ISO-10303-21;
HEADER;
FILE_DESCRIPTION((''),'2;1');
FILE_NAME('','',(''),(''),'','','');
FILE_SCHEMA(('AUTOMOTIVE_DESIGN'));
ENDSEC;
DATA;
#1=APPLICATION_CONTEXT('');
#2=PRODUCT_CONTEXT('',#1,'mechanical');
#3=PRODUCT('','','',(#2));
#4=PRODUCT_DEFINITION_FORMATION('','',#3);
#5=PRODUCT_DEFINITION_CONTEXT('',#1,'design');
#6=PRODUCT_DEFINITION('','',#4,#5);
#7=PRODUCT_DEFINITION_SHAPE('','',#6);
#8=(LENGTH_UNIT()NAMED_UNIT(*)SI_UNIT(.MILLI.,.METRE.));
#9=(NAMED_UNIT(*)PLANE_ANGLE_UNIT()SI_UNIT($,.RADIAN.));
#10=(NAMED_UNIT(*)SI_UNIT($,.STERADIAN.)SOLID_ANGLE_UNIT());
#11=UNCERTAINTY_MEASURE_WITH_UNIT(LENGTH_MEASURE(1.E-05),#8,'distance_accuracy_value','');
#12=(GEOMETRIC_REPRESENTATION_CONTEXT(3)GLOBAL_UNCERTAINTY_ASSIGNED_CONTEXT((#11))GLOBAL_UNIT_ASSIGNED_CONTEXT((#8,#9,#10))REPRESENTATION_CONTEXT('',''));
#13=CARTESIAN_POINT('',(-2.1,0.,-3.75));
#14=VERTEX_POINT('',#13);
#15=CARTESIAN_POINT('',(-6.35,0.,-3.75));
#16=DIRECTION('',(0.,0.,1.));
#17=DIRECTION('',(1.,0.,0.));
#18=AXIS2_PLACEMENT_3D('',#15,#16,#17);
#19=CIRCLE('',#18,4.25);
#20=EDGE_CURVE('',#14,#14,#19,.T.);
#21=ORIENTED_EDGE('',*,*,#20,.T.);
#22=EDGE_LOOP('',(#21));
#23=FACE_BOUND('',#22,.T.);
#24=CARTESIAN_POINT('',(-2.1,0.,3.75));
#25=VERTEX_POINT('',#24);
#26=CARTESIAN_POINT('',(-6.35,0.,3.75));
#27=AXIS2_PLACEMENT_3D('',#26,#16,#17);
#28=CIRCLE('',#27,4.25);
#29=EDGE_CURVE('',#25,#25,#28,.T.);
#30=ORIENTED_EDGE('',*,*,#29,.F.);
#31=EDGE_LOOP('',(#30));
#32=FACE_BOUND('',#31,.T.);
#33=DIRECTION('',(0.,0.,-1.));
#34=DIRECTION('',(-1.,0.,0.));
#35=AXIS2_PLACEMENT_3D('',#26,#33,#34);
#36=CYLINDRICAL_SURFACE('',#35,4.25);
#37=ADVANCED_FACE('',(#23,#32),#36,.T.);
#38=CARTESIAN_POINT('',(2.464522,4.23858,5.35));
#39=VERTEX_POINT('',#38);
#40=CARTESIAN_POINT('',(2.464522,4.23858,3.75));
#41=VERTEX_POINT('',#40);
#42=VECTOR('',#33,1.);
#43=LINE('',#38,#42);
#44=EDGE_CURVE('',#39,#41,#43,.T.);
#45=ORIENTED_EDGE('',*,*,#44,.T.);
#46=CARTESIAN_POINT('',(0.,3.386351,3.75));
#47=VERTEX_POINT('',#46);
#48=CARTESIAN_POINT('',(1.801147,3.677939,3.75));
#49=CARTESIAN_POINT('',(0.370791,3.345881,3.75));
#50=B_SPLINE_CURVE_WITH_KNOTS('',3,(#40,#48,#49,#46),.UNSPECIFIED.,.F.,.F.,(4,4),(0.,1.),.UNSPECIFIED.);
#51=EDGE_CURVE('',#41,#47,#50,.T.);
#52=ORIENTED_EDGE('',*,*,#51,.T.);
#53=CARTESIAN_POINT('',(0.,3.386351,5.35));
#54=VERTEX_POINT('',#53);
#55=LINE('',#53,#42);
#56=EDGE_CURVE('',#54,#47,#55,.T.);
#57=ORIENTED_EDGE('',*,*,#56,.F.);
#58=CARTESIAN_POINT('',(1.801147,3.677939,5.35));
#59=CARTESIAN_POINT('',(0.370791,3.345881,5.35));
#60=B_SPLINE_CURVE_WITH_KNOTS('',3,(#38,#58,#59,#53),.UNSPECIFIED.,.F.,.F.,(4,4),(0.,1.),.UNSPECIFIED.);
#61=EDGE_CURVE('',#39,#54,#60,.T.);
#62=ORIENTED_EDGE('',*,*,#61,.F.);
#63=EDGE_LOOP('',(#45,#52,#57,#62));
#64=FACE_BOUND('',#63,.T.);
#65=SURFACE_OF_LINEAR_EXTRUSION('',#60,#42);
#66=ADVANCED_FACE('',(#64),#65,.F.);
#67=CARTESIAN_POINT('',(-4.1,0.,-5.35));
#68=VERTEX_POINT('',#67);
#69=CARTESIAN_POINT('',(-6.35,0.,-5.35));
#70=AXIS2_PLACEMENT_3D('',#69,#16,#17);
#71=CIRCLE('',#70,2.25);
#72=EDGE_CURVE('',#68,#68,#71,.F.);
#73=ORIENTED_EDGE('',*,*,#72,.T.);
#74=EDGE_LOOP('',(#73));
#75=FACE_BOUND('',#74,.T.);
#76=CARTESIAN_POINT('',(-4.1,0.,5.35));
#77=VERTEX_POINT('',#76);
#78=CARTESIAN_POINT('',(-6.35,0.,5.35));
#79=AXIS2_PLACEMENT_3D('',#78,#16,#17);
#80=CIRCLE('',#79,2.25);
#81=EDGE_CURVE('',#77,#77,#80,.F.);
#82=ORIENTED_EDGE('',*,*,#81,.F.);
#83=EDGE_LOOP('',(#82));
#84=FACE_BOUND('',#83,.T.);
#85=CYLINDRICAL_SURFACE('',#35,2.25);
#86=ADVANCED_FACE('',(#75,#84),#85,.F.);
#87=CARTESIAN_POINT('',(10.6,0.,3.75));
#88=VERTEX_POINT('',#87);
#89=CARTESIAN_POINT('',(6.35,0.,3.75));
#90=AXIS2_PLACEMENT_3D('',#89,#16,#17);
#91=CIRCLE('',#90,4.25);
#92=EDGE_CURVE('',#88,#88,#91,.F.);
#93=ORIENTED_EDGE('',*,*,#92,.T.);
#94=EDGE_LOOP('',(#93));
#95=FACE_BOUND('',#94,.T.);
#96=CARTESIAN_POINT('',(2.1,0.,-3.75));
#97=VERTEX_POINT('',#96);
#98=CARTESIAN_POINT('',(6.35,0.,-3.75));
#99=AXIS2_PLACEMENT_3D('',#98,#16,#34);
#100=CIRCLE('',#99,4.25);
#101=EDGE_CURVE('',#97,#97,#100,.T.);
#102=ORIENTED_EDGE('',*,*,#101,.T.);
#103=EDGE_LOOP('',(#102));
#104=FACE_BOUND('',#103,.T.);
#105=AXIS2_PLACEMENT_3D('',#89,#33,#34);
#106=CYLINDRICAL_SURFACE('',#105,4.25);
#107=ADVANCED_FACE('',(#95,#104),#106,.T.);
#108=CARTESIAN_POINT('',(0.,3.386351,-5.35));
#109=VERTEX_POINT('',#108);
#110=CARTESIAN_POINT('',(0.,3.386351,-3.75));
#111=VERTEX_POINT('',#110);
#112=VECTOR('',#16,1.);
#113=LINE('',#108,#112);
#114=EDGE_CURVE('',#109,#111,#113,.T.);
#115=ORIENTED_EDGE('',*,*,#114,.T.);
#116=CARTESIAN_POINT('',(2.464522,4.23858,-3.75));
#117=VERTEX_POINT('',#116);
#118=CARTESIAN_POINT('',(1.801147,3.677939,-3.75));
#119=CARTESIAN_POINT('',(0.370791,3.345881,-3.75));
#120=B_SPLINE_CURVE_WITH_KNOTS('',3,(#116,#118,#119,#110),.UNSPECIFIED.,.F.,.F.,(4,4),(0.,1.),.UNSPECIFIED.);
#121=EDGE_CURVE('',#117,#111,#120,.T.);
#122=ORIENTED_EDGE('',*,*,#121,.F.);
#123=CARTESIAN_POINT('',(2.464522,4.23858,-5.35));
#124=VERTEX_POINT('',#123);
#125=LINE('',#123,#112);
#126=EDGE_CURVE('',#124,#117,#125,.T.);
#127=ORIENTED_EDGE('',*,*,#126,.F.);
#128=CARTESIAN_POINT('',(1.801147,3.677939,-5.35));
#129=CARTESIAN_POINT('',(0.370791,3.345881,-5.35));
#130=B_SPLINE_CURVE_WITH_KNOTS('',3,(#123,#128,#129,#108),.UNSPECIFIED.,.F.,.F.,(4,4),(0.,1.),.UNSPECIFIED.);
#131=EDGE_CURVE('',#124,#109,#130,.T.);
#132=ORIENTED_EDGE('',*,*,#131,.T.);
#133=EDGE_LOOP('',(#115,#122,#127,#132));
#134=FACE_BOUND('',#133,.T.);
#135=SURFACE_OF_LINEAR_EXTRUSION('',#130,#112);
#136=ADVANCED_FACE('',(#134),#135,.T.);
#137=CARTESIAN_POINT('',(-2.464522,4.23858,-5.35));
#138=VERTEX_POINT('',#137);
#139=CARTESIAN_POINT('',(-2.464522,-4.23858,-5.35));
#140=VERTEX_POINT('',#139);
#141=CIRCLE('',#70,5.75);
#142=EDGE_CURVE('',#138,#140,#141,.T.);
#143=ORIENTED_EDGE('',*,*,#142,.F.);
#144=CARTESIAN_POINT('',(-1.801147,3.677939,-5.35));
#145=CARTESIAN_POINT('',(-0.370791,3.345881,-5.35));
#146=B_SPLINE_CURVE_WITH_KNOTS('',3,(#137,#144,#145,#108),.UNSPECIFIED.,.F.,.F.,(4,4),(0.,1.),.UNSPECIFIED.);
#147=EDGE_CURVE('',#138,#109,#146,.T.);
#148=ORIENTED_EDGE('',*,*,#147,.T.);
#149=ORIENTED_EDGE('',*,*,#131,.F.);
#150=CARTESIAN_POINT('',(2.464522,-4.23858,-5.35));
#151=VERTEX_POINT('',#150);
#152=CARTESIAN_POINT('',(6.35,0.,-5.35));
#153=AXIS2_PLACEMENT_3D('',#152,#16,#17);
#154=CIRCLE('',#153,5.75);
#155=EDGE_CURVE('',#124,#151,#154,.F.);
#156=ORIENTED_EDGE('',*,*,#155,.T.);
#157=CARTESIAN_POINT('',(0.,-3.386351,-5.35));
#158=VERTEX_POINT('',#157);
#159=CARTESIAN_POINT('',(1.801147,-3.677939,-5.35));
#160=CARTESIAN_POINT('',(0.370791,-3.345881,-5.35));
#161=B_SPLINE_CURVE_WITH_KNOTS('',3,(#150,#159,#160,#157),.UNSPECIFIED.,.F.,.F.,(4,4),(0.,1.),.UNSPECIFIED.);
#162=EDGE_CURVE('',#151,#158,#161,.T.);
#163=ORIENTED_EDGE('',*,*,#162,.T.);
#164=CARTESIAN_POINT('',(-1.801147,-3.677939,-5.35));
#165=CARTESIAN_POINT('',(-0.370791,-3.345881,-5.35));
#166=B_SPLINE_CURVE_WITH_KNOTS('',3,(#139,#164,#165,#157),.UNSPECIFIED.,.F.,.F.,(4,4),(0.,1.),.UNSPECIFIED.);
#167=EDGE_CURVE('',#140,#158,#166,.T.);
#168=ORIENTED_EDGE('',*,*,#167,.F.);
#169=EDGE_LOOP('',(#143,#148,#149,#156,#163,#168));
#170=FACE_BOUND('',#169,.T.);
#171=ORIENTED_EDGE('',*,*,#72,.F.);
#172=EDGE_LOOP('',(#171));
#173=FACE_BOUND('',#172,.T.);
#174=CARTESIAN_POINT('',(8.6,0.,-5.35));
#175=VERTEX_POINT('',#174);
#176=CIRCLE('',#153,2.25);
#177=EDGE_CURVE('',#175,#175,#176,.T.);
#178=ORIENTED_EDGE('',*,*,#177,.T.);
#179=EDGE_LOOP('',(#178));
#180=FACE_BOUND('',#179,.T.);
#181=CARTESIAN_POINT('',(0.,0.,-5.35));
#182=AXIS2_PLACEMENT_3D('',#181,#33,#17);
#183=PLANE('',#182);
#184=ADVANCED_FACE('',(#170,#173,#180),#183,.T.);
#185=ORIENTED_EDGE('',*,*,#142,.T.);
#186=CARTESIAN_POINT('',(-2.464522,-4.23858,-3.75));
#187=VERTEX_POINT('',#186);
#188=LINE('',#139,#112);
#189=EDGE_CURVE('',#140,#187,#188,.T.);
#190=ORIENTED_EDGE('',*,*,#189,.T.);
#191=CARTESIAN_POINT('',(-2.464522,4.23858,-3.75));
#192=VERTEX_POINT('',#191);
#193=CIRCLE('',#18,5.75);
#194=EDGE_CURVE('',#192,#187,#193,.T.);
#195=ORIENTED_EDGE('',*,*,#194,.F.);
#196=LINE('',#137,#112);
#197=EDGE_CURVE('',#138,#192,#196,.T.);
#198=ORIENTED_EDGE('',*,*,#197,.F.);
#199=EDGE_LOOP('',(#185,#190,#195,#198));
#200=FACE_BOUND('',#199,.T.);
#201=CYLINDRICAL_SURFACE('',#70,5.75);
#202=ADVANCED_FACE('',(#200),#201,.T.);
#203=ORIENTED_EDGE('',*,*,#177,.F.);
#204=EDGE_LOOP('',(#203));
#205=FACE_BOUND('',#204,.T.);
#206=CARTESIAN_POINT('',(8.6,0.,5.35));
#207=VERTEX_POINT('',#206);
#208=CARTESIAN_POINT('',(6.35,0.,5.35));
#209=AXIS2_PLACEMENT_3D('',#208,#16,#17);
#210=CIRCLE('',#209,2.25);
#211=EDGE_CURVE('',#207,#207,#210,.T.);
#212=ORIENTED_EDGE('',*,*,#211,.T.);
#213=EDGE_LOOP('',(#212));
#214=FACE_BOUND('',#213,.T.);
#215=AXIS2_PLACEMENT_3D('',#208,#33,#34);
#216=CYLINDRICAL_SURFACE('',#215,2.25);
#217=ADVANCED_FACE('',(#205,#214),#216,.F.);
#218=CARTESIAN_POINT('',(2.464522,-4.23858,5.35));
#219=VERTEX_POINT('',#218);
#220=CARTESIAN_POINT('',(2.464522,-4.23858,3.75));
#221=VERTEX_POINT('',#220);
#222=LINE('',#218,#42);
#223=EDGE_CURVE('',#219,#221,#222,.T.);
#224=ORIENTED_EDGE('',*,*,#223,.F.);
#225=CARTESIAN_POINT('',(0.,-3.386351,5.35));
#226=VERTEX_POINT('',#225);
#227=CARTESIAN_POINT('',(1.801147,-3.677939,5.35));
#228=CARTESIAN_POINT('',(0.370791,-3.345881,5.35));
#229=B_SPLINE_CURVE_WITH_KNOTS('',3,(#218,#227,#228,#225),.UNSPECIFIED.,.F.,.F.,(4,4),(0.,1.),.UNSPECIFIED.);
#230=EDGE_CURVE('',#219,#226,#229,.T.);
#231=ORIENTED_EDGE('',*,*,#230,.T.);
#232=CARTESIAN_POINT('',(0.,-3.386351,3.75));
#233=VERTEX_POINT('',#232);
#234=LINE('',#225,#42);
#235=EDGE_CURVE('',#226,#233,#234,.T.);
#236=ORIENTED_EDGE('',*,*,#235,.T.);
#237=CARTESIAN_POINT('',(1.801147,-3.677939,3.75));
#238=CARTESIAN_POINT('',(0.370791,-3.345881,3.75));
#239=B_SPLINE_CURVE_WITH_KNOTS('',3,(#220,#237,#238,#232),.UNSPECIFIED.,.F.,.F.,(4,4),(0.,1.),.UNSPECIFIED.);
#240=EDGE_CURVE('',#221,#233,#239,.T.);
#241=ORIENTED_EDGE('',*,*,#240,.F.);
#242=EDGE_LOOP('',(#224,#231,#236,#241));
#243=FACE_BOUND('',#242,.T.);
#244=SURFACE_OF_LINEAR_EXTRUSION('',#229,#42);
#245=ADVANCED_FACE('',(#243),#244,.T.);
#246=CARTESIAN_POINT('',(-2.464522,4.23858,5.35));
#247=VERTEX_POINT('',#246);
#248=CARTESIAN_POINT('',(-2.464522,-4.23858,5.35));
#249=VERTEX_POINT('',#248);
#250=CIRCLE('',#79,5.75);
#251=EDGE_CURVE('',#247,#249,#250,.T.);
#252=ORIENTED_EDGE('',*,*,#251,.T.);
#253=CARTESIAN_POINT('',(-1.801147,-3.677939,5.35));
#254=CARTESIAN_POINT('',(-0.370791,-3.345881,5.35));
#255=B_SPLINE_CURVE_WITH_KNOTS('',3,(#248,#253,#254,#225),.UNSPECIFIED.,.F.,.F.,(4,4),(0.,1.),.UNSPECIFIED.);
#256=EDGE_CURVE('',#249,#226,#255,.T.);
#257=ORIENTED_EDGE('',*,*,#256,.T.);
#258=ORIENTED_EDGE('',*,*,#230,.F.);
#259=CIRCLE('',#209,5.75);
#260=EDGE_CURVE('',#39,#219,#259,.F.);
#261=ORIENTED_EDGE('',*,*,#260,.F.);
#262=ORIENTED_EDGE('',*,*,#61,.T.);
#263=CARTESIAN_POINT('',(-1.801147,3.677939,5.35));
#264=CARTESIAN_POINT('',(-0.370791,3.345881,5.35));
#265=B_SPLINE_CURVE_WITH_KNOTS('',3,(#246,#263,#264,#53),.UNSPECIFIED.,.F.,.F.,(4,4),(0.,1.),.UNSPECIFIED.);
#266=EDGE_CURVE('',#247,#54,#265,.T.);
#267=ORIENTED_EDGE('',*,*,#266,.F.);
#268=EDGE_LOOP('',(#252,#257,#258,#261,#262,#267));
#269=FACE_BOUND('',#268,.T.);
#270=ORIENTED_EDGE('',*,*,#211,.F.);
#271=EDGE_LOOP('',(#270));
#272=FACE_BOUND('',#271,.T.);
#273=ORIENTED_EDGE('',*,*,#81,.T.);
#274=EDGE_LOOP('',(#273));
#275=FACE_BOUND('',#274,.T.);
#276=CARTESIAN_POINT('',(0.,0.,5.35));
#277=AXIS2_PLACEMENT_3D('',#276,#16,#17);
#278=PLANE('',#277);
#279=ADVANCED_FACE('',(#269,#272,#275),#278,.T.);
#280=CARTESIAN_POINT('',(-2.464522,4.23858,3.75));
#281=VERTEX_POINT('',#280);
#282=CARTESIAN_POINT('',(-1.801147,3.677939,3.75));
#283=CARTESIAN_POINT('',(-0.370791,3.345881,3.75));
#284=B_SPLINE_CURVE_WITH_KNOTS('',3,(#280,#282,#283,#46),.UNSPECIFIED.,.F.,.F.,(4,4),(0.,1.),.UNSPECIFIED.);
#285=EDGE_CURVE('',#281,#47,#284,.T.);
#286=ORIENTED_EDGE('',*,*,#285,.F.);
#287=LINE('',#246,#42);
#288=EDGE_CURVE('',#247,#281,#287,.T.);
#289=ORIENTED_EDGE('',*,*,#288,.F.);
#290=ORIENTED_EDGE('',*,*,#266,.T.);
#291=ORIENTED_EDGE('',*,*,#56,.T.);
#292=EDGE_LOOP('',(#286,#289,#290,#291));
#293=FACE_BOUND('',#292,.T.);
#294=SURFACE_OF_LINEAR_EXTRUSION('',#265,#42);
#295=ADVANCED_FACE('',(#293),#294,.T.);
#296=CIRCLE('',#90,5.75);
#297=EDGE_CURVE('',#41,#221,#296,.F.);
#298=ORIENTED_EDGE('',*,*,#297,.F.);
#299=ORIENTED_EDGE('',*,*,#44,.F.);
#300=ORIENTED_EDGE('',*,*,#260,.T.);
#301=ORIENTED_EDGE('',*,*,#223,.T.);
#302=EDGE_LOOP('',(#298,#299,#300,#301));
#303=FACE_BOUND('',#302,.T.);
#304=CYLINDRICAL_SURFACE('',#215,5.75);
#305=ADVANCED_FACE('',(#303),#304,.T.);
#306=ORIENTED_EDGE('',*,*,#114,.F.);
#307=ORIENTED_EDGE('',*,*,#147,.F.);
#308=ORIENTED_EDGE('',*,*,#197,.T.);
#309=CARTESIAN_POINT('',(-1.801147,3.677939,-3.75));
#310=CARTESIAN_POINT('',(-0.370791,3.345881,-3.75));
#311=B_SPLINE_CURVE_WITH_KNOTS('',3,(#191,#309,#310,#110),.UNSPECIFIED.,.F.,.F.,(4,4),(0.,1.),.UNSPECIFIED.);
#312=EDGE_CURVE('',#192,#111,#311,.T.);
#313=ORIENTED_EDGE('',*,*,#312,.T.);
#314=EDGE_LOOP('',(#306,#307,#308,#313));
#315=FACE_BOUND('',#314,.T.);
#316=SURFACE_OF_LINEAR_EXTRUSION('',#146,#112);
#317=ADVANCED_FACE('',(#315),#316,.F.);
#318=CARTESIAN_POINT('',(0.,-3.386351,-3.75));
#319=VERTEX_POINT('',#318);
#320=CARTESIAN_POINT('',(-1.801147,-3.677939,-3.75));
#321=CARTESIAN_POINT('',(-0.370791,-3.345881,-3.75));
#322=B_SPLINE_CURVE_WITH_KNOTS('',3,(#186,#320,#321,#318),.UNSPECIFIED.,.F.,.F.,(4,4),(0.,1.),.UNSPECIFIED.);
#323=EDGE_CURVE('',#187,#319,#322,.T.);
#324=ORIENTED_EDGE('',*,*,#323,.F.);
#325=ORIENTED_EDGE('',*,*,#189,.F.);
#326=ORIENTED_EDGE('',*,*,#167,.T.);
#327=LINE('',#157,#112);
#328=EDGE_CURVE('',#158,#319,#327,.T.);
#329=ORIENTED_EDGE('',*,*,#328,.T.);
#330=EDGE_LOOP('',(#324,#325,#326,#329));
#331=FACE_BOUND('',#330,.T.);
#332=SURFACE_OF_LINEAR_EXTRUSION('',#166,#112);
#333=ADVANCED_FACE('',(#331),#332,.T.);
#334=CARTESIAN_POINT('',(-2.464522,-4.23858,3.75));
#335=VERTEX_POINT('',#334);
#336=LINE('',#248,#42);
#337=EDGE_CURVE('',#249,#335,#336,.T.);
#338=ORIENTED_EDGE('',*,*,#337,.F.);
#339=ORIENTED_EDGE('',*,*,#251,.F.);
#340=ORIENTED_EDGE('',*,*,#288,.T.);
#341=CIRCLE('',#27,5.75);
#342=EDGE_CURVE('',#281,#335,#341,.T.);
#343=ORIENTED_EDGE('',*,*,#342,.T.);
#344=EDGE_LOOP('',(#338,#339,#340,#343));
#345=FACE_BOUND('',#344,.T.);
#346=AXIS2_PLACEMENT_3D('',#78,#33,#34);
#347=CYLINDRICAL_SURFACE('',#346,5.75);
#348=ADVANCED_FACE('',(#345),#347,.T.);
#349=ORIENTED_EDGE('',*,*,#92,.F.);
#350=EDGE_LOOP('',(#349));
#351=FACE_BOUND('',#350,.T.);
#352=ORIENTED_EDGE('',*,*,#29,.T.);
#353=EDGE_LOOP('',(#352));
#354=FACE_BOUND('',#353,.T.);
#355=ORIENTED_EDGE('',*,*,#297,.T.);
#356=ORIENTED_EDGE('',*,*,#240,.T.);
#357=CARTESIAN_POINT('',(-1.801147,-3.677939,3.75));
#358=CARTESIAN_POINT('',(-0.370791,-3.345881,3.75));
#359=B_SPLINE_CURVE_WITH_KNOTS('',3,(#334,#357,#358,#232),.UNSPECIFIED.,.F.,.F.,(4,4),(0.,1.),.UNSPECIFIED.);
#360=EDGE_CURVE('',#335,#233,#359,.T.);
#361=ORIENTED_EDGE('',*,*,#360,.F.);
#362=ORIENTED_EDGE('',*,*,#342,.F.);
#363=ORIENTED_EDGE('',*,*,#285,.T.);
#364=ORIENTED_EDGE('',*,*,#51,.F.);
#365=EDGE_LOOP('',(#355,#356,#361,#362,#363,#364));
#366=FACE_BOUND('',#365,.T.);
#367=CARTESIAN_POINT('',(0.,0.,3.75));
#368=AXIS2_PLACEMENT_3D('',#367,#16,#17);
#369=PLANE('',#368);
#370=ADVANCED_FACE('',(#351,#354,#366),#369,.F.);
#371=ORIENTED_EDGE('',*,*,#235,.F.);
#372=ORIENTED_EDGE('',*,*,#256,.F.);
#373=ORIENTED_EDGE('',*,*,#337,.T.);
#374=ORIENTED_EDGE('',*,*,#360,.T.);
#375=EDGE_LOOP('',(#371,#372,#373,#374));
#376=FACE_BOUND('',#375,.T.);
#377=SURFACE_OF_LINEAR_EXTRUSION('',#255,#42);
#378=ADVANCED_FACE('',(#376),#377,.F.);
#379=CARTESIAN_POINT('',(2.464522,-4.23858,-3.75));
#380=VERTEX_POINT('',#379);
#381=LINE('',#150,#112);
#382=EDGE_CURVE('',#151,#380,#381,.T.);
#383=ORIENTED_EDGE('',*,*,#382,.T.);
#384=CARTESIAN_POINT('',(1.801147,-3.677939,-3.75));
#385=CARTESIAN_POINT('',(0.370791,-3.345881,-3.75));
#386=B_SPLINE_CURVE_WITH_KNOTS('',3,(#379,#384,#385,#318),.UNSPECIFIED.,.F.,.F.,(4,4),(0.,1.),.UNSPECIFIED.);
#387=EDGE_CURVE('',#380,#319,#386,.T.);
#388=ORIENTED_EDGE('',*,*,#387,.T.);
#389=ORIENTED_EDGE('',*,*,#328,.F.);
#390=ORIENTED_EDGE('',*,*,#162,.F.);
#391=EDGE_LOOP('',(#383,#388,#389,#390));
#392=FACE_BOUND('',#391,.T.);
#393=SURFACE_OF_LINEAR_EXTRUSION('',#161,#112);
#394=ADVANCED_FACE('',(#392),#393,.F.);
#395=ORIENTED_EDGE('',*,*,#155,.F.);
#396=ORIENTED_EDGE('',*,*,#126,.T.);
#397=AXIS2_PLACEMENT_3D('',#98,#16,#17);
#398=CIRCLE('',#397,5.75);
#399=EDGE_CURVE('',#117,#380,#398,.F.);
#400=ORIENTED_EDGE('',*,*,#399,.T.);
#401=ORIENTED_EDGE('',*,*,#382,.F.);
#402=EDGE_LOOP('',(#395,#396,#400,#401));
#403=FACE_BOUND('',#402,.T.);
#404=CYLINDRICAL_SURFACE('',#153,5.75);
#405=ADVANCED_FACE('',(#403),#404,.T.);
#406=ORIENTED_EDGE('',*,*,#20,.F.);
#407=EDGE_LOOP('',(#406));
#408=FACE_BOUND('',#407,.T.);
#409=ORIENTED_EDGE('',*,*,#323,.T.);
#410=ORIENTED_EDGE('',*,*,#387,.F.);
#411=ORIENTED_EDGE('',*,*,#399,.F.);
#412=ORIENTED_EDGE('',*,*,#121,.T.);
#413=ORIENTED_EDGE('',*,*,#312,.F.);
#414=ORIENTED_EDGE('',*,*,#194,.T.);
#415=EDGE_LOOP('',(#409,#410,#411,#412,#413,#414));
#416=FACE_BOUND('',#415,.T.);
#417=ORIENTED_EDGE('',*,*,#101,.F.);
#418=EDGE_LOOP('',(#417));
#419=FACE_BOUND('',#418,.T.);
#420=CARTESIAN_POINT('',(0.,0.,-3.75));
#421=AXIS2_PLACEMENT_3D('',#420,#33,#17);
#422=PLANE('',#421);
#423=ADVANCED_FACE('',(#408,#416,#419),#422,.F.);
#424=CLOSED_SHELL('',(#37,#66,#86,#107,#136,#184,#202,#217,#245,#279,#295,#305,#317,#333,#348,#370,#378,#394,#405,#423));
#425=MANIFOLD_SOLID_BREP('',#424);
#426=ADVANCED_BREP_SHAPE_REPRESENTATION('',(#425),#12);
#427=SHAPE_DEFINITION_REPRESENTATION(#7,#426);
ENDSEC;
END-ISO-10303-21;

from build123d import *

# Parameters (mm, degrees)
SKETCH_1_R        = 4.25
SKETCH_1_R_2      = 2.25
EXTRUDE_1_DEPTH   = 3.75
EXTRUDE_1_2_DEPTH = 3.75
SKETCH_2_R        = 5.75
SKETCH_2_R_2      = 4.25
SKETCH_2_R_3      = 2.25
EXTRUDE_3_DEPTH   = 1.6


with BuildPart() as part:
    # 草图1 → 凸台-拉伸1 (new body)
    with BuildSketch(Plane.XY):
        with Locations((-6.35, 0)):
            Circle(SKETCH_1_R)
        with Locations((-6.35, 0)):
            Circle(SKETCH_1_R_2, mode=Mode.SUBTRACT)
    extrude_1 = extrude(amount=EXTRUDE_1_DEPTH)



with BuildPart() as body_2:
    # 草图1 → Extrude 1 2 (new body)
    with BuildSketch(Plane.XY):
        with Locations(Location((6.35, 0, 0), (0, 0, 180))):
            Circle(SKETCH_1_R)
        with Locations(Location((6.35, 0, 0), (0, 0, 180))):
            Circle(SKETCH_1_R_2, mode=Mode.SUBTRACT)
    extrude_1_2 = extrude(amount=EXTRUDE_1_2_DEPTH)


with BuildPart() as part_1:
    add(part.part)

    add(body_2.part)  # 凸台-拉伸3 merges body 2
    # 草图2 → 凸台-拉伸3 (add)
    # profile 1 of 4: a face of its own
    with BuildSketch(Plane.XY.offset(3.75)):
        with Locations((-6.35, 0)):
            Circle(SKETCH_2_R)
        with Locations((-6.35, 0)):
            Circle(SKETCH_2_R_2, mode=Mode.SUBTRACT)
    # profile 2 of 4: a face of its own
    with BuildSketch(Plane.XY.offset(3.75)):
        with Locations((-6.35, 0)):
            Circle(SKETCH_2_R_2)
        with Locations((-6.35, 0)):
            Circle(SKETCH_2_R_3, mode=Mode.SUBTRACT)
    # profile 3 of 4: a face of its own
    with BuildSketch(Plane.XY.offset(3.75)):
        with BuildLine():
            ThreePointArc((-2.464522189, 4.238580208), (-1.086731177, 2.315275641), (-0.6, 0))
            ThreePointArc((-0.6, 0), (-1.086731177, -2.315275641), (-2.464522189, -4.238580208))
            add(Edge.make_bspline(
                [(-2.464522189, -4.238580208), (-1.801147303, -3.67793909), (-0.370790644, -3.34588107), (0, -3.386350938)],
                knots=[0, 0, 0, 0, 1, 1, 1, 1], degree=3))
            add(Edge.make_bspline(
                [(2.464522189, -4.238580208), (1.801147303, -3.67793909), (0.370790644, -3.34588107), (0, -3.386350938)],
                knots=[0, 0, 0, 0, 1, 1, 1, 1], degree=3))
            ThreePointArc((2.464522189, -4.238580208), (0.6, 0), (2.464522189, 4.238580208))
            add(Edge.make_bspline(
                [(2.464522189, 4.238580208), (1.801147303, 3.67793909), (0.370790644, 3.34588107), (0, 3.386350938)],
                knots=[0, 0, 0, 0, 1, 1, 1, 1], degree=3))
            add(Edge.make_bspline(
                [(-2.464522189, 4.238580208), (-1.801147303, 3.67793909), (-0.370790644, 3.34588107), (0, 3.386350938)],
                knots=[0, 0, 0, 0, 1, 1, 1, 1], degree=3))
        make_face()
    # profile 4 of 4: a face of its own
    with BuildSketch(Plane.XY.offset(3.75)):
        with Locations((6.35, 0)):
            Circle(SKETCH_2_R)
        with Locations(Location((6.35, 0, 0), (0, 0, 180))):
            Circle(SKETCH_2_R_3, mode=Mode.SUBTRACT)
    extrude_3 = extrude(amount=EXTRUDE_3_DEPTH)

    # 镜向2: 凸台-拉伸1, Extrude 1 2, 凸台-拉伸3 across plane
    add(extrude_1.mirror(Plane(origin=(0, 0, 0), x_dir=(1, 0, 0), z_dir=(0, 0, -1))))
    add(extrude_1_2.mirror(Plane(origin=(0, 0, 0), x_dir=(1, 0, 0), z_dir=(0, 0, -1))))
    add(extrude_3.mirror(Plane(origin=(0, 0, 0), x_dir=(1, 0, 0), z_dir=(0, 0, -1))))


solid = part_1.part
